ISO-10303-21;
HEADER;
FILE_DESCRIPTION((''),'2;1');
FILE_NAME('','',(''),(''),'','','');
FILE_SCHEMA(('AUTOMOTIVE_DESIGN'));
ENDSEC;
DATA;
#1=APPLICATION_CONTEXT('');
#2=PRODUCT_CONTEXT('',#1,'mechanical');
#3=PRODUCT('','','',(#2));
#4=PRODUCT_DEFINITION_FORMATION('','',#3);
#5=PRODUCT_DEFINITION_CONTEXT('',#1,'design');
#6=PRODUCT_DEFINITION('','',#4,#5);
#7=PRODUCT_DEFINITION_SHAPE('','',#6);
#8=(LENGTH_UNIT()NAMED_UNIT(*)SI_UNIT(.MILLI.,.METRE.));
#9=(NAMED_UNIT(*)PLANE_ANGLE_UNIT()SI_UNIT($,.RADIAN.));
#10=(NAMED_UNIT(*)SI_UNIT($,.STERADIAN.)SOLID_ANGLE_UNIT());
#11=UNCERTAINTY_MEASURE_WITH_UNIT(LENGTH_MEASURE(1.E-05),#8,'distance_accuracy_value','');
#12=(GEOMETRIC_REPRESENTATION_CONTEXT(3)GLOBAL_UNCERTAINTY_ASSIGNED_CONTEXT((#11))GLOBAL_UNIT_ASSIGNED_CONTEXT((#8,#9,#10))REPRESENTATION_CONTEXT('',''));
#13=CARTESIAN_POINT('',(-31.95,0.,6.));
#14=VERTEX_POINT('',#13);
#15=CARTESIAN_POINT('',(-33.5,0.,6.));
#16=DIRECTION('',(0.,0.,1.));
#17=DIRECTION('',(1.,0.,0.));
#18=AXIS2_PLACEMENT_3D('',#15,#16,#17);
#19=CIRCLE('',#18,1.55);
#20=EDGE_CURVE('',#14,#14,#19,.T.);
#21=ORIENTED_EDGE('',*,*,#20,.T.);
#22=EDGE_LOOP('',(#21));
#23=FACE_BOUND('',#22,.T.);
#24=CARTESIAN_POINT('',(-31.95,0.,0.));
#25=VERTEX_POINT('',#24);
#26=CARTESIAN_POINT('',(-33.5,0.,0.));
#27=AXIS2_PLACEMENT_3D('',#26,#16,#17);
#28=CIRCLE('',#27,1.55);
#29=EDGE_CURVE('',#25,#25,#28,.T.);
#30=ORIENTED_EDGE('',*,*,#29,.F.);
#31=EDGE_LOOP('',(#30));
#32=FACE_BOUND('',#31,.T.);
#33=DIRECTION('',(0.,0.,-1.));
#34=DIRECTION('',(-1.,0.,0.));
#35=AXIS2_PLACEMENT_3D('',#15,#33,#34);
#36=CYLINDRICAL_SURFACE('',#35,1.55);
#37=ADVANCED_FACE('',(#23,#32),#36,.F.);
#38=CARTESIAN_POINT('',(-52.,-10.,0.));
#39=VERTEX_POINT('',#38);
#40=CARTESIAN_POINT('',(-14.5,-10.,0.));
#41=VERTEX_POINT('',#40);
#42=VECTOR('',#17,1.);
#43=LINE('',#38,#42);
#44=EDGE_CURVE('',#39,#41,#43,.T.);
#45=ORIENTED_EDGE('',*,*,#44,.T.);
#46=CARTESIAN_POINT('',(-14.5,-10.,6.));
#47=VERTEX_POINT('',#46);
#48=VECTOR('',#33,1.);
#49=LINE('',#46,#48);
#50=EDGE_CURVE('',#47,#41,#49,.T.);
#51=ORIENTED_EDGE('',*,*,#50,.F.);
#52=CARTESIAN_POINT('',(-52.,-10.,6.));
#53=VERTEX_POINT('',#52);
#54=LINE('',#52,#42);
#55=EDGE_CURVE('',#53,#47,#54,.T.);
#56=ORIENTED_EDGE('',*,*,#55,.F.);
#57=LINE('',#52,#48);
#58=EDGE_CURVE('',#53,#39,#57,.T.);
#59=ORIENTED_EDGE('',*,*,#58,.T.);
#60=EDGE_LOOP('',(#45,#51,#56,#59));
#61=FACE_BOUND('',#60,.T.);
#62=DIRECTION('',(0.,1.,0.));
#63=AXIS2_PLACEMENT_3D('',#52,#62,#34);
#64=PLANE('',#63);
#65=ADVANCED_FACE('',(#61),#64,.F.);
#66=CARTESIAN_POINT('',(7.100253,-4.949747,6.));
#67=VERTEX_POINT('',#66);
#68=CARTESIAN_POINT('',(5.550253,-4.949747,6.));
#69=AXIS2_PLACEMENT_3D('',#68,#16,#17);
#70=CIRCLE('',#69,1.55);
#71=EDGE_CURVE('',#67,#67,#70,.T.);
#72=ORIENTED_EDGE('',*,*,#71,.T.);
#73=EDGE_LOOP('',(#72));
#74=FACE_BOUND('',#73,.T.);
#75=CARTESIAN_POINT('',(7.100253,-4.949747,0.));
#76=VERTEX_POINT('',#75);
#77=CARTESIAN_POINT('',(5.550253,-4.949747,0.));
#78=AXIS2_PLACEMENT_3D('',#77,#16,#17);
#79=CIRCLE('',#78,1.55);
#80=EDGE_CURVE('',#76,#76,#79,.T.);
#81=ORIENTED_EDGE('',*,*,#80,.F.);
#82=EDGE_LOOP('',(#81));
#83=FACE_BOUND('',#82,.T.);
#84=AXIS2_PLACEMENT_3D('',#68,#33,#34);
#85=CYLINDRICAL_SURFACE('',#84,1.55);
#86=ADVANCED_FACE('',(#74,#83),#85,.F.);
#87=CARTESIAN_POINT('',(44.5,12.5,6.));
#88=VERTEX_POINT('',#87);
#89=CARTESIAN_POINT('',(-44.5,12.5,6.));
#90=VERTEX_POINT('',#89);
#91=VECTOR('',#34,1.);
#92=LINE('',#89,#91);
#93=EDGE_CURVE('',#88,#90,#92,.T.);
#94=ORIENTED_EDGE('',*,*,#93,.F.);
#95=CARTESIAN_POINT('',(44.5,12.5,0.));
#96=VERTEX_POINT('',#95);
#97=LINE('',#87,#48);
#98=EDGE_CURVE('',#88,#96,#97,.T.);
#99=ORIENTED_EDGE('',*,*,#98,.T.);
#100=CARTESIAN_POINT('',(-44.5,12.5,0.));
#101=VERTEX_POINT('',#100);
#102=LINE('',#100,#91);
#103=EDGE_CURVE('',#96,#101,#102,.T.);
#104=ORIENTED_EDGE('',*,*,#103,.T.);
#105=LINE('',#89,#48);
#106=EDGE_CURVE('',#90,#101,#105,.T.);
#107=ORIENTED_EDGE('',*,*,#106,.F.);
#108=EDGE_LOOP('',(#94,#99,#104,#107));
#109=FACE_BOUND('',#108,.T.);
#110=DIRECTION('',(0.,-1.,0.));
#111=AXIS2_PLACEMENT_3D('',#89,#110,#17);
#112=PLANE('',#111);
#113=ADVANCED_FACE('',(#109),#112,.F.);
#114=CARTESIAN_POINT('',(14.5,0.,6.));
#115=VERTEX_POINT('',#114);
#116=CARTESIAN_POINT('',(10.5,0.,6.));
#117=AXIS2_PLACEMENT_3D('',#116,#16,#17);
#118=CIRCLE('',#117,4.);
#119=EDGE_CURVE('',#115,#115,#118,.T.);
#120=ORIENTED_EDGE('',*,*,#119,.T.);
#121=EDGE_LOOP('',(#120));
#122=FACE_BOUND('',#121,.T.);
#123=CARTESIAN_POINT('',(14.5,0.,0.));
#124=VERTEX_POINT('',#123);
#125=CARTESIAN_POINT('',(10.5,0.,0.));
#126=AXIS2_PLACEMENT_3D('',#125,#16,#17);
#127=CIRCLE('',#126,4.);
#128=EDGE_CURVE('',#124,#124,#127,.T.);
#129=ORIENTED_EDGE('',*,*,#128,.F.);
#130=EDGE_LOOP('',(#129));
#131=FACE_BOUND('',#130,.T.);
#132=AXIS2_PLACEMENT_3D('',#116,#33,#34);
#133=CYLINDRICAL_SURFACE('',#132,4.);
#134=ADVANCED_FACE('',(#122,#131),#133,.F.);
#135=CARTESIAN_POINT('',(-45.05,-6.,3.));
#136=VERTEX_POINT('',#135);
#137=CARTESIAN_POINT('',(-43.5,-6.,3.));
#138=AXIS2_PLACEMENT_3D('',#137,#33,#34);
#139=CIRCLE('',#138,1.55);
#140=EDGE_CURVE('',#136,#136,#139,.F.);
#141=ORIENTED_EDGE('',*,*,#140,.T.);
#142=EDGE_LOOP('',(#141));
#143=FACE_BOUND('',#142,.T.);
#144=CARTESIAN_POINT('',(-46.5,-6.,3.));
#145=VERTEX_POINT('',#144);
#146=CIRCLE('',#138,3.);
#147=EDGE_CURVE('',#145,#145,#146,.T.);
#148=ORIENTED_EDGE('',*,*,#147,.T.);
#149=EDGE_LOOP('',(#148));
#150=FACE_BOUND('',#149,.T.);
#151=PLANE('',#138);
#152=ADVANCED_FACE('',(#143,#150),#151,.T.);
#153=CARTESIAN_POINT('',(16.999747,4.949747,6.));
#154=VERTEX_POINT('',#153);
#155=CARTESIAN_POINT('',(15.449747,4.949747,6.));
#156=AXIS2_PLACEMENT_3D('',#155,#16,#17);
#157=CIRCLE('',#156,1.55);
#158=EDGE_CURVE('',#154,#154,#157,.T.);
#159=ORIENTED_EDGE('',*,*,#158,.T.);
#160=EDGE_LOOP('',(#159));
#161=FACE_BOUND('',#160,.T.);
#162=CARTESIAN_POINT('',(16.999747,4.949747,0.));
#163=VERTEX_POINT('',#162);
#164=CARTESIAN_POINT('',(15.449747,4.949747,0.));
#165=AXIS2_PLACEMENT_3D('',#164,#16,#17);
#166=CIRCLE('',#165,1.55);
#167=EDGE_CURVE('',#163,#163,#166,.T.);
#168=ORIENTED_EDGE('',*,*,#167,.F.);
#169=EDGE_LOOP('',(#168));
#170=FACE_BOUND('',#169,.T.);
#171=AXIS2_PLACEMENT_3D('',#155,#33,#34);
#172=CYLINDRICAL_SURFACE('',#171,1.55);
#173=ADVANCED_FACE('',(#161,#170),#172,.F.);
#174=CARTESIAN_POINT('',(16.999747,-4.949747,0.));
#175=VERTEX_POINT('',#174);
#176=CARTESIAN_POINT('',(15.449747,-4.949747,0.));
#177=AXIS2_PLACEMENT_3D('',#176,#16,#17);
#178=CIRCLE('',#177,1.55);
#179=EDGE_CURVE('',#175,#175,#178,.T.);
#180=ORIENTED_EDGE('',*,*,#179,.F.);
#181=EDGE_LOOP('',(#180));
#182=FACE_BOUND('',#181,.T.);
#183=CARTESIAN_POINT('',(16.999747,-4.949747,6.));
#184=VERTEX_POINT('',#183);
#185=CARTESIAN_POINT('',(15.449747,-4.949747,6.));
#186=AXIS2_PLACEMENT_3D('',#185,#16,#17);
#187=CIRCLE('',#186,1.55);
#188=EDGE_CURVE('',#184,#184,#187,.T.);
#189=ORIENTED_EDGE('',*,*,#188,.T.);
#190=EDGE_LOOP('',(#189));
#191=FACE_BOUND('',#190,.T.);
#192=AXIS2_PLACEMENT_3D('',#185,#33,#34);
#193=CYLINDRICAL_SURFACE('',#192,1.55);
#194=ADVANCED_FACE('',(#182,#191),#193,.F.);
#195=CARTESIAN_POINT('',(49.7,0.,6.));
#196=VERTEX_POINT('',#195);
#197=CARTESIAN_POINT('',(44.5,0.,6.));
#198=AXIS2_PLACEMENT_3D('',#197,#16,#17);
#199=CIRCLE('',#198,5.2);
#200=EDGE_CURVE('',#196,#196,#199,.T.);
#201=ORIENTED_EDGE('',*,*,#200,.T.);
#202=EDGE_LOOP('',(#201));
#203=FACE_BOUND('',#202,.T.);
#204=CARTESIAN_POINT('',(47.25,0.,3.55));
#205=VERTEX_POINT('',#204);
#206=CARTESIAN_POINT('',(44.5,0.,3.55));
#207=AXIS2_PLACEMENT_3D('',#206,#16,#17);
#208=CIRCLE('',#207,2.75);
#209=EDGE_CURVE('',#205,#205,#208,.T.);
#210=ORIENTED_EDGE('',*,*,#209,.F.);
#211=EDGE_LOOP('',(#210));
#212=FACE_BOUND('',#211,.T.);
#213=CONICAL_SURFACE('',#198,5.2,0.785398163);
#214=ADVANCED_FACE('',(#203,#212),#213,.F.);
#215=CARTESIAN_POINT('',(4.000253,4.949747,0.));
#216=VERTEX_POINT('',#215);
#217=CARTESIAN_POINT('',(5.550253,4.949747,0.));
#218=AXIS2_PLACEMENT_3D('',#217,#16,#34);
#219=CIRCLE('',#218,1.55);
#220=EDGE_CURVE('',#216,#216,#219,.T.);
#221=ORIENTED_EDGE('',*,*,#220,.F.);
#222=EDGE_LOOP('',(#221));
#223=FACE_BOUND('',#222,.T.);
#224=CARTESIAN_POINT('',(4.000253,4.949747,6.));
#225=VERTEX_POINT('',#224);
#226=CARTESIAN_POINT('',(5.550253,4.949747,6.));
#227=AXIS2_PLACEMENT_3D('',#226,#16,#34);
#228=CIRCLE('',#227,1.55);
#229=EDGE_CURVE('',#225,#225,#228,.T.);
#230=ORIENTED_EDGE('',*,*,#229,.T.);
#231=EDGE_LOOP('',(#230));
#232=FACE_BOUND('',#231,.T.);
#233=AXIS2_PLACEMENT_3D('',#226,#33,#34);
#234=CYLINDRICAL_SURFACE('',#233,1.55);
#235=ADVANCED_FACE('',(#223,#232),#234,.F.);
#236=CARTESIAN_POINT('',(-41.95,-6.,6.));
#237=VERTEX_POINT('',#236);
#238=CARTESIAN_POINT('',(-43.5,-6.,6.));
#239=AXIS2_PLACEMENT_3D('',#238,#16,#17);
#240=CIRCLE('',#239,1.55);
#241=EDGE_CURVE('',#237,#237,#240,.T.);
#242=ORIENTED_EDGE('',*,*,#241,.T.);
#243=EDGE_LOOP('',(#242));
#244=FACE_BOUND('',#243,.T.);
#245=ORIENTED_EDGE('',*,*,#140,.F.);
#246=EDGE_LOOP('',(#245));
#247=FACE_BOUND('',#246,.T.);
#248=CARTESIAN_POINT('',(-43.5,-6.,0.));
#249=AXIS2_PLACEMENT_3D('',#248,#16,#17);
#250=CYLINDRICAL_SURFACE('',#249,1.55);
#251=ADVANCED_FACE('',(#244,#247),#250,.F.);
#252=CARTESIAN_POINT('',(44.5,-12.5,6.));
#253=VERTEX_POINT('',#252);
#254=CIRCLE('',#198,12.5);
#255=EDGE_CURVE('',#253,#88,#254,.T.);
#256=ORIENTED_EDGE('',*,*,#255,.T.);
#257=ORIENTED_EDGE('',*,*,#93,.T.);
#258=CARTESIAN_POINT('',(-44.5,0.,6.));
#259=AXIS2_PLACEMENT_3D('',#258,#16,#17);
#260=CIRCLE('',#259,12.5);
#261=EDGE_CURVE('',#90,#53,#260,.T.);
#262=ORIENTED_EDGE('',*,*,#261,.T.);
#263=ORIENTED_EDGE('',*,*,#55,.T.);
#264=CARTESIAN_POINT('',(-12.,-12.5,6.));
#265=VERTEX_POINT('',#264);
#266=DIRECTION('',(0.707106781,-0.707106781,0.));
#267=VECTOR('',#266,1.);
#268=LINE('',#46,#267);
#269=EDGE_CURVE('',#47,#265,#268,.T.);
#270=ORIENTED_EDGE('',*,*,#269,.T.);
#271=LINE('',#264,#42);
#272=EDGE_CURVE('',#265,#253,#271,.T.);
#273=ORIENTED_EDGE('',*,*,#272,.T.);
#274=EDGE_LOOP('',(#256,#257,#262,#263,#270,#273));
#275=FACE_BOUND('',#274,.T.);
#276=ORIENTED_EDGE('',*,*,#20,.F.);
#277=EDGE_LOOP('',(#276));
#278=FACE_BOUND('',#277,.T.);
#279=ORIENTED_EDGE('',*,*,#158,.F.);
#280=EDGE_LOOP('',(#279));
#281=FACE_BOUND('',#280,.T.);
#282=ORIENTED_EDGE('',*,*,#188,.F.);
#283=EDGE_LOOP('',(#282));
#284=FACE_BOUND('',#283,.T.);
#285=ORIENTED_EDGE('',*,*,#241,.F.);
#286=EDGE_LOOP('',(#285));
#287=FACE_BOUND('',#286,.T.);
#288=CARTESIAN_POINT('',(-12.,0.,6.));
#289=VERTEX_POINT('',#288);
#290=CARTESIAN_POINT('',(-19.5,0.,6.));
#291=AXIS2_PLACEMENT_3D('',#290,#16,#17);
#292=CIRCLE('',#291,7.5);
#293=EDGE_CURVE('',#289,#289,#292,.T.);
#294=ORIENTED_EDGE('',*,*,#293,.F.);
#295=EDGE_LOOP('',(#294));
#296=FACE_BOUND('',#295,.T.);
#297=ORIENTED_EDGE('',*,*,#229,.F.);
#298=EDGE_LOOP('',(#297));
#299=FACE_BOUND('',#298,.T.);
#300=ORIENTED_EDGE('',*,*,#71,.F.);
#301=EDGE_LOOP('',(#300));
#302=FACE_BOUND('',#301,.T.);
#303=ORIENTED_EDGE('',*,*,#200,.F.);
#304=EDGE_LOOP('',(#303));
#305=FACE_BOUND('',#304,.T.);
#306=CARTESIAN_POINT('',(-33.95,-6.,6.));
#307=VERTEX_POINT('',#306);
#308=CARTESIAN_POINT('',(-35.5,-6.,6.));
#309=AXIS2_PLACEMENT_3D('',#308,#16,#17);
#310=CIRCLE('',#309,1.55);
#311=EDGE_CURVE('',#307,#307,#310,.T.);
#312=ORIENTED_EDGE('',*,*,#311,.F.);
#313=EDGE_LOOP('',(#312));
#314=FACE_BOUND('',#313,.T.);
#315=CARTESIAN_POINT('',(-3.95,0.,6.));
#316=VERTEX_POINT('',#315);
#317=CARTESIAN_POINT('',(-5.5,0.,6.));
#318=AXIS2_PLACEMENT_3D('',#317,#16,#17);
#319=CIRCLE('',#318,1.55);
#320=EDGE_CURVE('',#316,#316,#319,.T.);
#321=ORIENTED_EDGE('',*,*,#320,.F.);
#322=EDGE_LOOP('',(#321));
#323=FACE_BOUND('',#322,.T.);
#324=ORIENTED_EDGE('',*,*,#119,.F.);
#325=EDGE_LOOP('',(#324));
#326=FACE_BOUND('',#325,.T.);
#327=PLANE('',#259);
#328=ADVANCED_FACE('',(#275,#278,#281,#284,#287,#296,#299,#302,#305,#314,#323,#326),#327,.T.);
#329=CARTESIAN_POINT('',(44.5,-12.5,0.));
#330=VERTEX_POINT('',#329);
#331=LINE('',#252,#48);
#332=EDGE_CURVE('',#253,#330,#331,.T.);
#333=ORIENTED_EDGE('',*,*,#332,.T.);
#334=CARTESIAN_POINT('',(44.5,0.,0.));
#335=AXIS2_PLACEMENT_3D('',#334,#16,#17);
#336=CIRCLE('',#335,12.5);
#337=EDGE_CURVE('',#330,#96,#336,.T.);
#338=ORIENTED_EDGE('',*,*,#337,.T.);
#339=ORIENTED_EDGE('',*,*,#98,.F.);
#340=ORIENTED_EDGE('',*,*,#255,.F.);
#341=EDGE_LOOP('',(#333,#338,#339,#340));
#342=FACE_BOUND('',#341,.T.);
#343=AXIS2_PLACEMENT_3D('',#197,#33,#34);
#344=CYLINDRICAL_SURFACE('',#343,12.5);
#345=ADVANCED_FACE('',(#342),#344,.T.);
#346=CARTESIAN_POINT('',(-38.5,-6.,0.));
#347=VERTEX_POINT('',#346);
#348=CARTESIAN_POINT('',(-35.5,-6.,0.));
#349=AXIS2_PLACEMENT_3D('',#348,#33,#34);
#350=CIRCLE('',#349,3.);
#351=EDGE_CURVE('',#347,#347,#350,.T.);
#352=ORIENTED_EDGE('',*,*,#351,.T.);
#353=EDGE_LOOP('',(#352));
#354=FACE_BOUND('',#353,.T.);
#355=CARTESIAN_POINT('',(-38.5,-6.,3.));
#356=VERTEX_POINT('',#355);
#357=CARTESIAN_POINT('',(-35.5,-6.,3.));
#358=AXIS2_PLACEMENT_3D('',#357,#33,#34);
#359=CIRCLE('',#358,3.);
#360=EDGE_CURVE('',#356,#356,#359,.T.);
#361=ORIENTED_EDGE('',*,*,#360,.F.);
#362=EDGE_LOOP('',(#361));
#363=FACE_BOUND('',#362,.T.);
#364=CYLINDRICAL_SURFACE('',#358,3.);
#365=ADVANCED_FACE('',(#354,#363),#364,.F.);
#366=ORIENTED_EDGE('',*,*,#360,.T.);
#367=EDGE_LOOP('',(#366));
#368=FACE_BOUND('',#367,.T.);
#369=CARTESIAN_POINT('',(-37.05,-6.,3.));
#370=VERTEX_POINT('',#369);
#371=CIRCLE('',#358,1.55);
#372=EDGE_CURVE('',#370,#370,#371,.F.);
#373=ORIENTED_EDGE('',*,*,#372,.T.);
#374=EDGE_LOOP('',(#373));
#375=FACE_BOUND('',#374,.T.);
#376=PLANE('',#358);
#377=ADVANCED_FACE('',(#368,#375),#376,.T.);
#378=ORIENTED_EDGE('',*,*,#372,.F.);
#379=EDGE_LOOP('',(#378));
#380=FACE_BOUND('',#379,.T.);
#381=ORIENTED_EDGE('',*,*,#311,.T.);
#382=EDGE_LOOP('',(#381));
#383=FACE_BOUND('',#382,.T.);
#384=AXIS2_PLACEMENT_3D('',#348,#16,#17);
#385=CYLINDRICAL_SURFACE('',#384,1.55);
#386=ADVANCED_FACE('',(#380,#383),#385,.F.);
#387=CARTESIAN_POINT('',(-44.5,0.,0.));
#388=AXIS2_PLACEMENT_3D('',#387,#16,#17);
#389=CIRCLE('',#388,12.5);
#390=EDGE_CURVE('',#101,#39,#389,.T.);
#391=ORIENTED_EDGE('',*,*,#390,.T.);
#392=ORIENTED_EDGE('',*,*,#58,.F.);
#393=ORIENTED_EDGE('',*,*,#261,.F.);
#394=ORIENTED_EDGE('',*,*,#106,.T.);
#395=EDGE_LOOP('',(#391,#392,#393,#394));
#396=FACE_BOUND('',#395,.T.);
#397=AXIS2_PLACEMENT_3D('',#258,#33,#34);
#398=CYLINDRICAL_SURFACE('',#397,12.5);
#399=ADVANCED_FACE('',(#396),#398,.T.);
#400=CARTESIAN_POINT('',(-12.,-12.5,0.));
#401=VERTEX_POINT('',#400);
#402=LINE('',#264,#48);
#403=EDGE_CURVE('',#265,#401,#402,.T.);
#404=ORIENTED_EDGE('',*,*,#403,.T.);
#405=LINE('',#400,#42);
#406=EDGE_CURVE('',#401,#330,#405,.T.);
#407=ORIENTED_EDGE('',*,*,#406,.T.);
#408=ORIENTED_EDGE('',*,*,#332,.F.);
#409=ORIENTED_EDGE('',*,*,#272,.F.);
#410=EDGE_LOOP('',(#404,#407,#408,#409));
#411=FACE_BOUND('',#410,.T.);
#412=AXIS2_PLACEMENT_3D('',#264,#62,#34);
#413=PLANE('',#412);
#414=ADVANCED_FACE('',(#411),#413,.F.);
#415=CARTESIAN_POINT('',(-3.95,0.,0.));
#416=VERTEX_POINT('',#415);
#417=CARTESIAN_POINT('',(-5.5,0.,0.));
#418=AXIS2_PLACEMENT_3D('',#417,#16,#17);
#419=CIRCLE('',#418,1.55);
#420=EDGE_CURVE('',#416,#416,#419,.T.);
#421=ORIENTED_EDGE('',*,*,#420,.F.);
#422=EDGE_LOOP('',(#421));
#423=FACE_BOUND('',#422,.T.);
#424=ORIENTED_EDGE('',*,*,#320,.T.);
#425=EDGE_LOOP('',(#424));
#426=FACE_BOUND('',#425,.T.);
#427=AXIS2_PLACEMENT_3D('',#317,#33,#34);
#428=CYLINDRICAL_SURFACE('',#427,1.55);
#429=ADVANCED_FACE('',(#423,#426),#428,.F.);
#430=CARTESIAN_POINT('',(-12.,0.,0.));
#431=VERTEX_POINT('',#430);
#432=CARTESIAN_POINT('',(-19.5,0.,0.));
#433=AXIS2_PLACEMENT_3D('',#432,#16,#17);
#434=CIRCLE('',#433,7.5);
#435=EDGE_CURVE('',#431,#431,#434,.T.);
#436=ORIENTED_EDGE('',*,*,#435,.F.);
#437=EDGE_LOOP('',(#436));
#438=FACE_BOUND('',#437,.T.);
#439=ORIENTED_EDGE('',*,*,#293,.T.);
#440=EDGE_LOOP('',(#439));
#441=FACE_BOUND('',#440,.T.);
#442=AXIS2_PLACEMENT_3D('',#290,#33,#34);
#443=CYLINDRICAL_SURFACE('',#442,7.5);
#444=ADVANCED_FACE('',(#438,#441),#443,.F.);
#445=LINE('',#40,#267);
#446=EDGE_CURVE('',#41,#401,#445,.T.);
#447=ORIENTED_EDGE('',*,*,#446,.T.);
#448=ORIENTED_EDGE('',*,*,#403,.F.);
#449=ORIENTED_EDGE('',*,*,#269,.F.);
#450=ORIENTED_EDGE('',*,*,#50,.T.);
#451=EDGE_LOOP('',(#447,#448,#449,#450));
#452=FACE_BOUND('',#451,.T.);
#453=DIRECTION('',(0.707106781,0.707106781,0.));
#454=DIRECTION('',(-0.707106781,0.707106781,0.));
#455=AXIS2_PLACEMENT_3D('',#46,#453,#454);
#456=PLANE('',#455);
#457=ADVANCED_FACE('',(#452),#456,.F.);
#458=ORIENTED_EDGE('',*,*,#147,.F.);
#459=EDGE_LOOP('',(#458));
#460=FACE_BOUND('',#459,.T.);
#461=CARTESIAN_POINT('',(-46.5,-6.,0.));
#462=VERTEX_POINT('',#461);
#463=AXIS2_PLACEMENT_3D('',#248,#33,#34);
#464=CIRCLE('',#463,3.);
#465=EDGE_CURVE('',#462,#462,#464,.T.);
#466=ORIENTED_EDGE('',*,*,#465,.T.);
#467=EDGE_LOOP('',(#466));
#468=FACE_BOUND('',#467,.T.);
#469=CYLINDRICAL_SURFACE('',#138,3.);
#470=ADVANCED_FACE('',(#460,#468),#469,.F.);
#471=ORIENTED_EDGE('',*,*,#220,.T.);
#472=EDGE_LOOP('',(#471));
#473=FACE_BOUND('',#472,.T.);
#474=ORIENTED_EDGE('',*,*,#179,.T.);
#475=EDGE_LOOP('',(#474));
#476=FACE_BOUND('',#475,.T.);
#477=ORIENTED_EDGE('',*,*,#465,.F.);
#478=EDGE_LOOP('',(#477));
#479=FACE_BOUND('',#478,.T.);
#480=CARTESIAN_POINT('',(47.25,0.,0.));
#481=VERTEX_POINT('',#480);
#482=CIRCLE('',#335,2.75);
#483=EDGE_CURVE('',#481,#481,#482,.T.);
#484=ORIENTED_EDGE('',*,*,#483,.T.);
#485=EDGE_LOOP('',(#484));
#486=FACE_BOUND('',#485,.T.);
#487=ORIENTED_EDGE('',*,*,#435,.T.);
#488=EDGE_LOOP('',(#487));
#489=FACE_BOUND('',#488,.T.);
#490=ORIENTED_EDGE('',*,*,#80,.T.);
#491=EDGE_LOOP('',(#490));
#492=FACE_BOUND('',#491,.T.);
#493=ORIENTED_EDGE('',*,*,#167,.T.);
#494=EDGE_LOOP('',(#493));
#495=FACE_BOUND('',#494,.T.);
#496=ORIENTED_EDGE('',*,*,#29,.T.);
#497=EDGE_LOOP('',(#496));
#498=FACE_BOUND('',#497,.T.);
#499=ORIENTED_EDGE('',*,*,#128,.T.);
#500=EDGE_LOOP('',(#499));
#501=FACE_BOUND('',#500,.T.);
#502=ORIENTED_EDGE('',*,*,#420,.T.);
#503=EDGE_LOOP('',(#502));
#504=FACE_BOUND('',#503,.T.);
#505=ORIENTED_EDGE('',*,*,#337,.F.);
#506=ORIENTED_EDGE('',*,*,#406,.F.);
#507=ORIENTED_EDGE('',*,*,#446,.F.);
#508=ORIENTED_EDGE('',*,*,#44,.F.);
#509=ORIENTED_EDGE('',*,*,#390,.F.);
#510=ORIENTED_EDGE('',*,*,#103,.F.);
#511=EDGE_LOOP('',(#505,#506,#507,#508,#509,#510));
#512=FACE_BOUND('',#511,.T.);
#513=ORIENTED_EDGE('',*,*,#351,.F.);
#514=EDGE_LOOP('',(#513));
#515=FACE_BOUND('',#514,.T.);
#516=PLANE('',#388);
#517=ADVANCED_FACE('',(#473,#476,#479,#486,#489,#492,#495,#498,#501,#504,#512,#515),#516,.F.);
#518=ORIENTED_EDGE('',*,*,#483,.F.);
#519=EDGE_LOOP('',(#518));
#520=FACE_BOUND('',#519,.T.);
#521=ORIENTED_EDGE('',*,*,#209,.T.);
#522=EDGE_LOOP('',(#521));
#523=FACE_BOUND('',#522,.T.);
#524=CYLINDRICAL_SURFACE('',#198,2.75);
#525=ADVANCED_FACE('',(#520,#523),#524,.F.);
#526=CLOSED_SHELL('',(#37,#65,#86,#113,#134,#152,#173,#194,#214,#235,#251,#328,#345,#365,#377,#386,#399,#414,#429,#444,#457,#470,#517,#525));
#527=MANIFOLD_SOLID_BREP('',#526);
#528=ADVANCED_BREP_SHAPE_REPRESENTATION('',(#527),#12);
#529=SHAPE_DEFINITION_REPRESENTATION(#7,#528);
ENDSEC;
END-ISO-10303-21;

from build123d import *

# Parameters (mm, degrees)
SKETCH1_R                                       = 4
SKETCH1_R_2                                     = 1.55
SKETCH1_R_3                                     = 7.5
BOSS_EXTRUDE1_DEPTH                             = 6
CSK_FOR_M5_FLAT_HEAD_MACHINE_SCREW1_D           = 5.5
CSK_FOR_M5_FLAT_HEAD_MACHINE_SCREW1_CSINK_D     = 10.4
CSK_FOR_M5_FLAT_HEAD_MACHINE_SCREW1_CSINK_ANGLE = 90
SKETCH4_R                                       = 1.55
SKETCH4_R_2                                     = 7.5
CUT_EXTRUDE1_DEPTH                              = 59.662168388
SKETCH6_R                                       = 3
CUT_EXTRUDE3_DEPTH                              = 3


with BuildPart() as part:
    # Sketch1 → Boss-Extrude1 (new body)
    with BuildSketch(Plane.XY):
        with BuildLine():
            Line((-44.5, 12.5), (44.5, 12.5))
            ThreePointArc((44.5, 12.5), (57, 0), (44.5, -12.5))
            Line((44.5, -12.5), (-12, -12.5))
            Line((-12, -12.5), (-14.5, -10))
            Line((-14.5, -10), (-52, -10))
            ThreePointArc((-52, -10), (-56.358541226, 3.952847075), (-44.5, 12.5))
        make_face()
        with Locations((10.5, 0)):
            Circle(SKETCH1_R, mode=Mode.SUBTRACT)
        with Locations((15.449747468, 4.949747468)):
            Circle(SKETCH1_R_2, mode=Mode.SUBTRACT)
        with Locations(Location((5.550252532, 4.949747468, 0), (0, 0, 180))):
            Circle(SKETCH1_R_2, mode=Mode.SUBTRACT)
        with Locations((5.550252532, -4.949747468)):
            Circle(SKETCH1_R_2, mode=Mode.SUBTRACT)
        with Locations((15.449747468, -4.949747468)):
            Circle(SKETCH1_R_2, mode=Mode.SUBTRACT)
        with Locations((-33.5, 0)):
            Circle(SKETCH1_R_2, mode=Mode.SUBTRACT)
        with Locations((-19.5, 0)):
            Circle(SKETCH1_R_3, mode=Mode.SUBTRACT)
        with Locations((-5.5, 0)):
            Circle(SKETCH1_R_2, mode=Mode.SUBTRACT)
    extrude(amount=BOSS_EXTRUDE1_DEPTH)

    # CSK for M5 Flat Head Machine Screw1 (through all)
    with Locations(Plane.XY.offset(6)):
        with Locations((44.5, 0)):
            CounterSinkHole(CSK_FOR_M5_FLAT_HEAD_MACHINE_SCREW1_D / 2, CSK_FOR_M5_FLAT_HEAD_MACHINE_SCREW1_CSINK_D / 2, counter_sink_angle=CSK_FOR_M5_FLAT_HEAD_MACHINE_SCREW1_CSINK_ANGLE)

    # Sketch4 → Cut-Extrude1 (cut, through all)
    with BuildSketch(Plane.XY.offset(6)):
        with Locations((-43.5, -6)):
            Circle(SKETCH4_R)
        with Locations((-35.5, -6)):
            Circle(SKETCH4_R)
        with Locations((-19.5, 0)):
            Circle(SKETCH4_R_2)
    extrude(amount=-CUT_EXTRUDE1_DEPTH, mode=Mode.SUBTRACT)

    # Sketch6 → Cut-Extrude3 (cut)
    with BuildSketch(Plane(origin=(0, 0, 0), x_dir=(-1, 0, 0), z_dir=(0, 0, -1))):
        with Locations((43.5, -6)):
            Circle(SKETCH6_R)
        with Locations((35.5, -6)):
            Circle(SKETCH6_R)
    extrude(amount=-CUT_EXTRUDE3_DEPTH, mode=Mode.SUBTRACT)


solid = part.part
